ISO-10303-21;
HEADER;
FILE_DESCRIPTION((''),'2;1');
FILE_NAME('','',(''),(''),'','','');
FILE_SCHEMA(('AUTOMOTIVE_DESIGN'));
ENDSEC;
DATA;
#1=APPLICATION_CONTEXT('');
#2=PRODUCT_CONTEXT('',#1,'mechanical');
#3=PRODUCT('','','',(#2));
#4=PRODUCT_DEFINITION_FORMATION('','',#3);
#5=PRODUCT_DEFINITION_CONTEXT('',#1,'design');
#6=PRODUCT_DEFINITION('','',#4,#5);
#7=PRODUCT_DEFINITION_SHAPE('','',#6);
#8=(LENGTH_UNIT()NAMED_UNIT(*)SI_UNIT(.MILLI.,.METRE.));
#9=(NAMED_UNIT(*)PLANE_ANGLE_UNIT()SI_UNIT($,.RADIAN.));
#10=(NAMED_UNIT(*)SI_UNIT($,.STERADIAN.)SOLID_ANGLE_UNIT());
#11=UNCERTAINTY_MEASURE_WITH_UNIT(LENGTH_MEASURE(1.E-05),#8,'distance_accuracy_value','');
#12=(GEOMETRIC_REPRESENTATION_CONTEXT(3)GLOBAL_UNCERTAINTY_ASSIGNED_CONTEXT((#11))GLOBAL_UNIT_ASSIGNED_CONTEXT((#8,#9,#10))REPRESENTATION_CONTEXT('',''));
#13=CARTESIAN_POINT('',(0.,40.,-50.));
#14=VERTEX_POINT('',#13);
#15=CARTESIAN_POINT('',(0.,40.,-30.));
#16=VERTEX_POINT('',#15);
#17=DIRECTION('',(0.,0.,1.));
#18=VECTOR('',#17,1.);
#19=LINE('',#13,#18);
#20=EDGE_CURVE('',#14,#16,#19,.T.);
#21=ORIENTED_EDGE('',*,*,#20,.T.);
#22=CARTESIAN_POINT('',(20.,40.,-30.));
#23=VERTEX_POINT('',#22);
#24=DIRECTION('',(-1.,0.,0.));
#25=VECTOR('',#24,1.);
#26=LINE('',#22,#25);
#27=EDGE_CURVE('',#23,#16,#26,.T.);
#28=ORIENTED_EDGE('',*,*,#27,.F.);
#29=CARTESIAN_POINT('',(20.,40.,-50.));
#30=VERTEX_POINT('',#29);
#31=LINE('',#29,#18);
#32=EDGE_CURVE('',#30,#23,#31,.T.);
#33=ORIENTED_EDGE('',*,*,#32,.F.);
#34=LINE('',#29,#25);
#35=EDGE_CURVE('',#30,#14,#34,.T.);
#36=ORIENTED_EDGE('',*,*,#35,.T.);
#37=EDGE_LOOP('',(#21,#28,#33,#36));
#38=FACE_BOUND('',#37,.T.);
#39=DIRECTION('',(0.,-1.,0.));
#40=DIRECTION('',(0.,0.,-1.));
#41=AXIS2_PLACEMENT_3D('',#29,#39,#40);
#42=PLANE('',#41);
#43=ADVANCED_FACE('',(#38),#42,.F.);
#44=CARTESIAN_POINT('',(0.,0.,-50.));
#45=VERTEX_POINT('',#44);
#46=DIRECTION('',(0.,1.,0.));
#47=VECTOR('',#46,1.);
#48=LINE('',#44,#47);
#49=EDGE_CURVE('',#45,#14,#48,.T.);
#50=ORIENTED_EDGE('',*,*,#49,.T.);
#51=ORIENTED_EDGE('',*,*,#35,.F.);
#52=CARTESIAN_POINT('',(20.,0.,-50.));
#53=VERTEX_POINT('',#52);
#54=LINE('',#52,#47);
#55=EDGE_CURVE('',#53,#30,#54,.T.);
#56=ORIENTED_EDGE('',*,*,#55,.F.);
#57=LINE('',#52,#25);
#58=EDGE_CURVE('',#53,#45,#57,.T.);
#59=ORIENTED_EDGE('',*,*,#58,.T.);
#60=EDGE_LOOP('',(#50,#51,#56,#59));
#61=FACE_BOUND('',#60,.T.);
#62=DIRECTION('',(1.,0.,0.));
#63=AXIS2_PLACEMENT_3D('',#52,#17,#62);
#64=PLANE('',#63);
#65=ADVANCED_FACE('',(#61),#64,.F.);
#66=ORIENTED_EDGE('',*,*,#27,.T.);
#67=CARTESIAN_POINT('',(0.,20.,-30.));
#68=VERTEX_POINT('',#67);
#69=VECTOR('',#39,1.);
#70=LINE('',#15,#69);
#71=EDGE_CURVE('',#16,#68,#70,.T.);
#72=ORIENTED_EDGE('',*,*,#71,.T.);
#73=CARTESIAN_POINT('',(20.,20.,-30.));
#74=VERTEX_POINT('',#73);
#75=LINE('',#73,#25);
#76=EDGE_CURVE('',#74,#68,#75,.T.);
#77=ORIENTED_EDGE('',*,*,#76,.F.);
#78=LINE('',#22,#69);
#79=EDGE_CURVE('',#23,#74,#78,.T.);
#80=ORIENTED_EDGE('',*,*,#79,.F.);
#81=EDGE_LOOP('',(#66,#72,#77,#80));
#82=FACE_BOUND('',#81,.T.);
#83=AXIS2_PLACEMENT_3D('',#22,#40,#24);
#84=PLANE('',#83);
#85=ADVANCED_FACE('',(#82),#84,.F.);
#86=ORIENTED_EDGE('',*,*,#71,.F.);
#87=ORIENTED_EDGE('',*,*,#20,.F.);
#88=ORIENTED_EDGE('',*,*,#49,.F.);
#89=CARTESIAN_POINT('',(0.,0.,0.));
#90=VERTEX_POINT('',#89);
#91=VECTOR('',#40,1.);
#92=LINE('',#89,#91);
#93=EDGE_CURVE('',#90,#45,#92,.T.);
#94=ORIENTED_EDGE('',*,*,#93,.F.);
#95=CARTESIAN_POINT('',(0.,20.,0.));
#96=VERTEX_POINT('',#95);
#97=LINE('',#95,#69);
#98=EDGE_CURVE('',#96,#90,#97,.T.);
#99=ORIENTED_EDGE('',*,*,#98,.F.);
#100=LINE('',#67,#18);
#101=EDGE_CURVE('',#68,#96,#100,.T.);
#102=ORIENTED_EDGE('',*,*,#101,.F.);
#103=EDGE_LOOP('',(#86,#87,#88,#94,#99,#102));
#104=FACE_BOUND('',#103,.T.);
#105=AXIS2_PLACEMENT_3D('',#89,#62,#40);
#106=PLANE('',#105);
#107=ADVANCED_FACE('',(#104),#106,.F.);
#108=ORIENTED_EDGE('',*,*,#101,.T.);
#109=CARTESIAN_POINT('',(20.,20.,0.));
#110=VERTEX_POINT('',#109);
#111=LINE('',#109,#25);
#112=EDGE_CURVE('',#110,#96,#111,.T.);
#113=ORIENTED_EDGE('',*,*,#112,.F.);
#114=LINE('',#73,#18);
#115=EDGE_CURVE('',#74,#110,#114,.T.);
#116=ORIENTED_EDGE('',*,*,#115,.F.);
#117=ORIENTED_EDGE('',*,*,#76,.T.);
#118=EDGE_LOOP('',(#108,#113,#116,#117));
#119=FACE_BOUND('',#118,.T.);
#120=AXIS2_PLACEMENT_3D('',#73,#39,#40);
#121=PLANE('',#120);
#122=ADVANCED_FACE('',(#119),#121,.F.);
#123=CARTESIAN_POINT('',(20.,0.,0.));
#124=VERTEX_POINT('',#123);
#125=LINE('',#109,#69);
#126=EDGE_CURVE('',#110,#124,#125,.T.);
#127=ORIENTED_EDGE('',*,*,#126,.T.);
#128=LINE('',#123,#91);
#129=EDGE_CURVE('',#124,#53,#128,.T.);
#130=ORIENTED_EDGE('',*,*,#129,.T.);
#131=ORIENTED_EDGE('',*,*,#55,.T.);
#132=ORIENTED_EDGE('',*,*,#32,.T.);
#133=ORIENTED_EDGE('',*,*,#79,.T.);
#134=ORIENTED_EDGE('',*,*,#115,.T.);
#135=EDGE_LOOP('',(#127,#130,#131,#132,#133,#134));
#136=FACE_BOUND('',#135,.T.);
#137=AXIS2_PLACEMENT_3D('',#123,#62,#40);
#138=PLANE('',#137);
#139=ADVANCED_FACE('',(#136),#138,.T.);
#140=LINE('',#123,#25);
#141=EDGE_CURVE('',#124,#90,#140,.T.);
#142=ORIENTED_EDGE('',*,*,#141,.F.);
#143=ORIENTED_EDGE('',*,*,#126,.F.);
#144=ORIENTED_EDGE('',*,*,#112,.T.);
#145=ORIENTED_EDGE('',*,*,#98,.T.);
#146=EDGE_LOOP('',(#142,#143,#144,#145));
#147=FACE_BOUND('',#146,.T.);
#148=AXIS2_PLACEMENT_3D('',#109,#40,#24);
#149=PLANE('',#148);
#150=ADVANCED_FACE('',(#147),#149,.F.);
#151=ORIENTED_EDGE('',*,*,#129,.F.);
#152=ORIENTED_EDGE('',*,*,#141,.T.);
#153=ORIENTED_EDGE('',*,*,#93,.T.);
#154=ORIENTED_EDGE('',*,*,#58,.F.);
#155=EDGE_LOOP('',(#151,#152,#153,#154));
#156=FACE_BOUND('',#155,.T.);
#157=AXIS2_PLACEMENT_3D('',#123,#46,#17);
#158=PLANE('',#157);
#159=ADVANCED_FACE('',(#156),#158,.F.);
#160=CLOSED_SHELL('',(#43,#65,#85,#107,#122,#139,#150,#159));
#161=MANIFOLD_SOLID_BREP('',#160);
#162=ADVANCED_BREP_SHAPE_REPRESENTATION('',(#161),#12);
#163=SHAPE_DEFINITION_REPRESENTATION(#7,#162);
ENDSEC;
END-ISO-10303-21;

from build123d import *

# Parameters (mm, degrees)
BOSS_EXTRUDE1_DEPTH = 20


with BuildPart() as part:
    # Sketch1 → Boss-Extrude1 (new body)
    with BuildSketch(Plane(origin=(0, 0, 0), x_dir=(0, 0, -1), z_dir=(1, 0, 0))):
        Polygon((0, 0), (50, 0), (50, 40), (30, 40), (30, 20), (0, 20), align=None)
    extrude(amount=BOSS_EXTRUDE1_DEPTH)


solid = part.part
